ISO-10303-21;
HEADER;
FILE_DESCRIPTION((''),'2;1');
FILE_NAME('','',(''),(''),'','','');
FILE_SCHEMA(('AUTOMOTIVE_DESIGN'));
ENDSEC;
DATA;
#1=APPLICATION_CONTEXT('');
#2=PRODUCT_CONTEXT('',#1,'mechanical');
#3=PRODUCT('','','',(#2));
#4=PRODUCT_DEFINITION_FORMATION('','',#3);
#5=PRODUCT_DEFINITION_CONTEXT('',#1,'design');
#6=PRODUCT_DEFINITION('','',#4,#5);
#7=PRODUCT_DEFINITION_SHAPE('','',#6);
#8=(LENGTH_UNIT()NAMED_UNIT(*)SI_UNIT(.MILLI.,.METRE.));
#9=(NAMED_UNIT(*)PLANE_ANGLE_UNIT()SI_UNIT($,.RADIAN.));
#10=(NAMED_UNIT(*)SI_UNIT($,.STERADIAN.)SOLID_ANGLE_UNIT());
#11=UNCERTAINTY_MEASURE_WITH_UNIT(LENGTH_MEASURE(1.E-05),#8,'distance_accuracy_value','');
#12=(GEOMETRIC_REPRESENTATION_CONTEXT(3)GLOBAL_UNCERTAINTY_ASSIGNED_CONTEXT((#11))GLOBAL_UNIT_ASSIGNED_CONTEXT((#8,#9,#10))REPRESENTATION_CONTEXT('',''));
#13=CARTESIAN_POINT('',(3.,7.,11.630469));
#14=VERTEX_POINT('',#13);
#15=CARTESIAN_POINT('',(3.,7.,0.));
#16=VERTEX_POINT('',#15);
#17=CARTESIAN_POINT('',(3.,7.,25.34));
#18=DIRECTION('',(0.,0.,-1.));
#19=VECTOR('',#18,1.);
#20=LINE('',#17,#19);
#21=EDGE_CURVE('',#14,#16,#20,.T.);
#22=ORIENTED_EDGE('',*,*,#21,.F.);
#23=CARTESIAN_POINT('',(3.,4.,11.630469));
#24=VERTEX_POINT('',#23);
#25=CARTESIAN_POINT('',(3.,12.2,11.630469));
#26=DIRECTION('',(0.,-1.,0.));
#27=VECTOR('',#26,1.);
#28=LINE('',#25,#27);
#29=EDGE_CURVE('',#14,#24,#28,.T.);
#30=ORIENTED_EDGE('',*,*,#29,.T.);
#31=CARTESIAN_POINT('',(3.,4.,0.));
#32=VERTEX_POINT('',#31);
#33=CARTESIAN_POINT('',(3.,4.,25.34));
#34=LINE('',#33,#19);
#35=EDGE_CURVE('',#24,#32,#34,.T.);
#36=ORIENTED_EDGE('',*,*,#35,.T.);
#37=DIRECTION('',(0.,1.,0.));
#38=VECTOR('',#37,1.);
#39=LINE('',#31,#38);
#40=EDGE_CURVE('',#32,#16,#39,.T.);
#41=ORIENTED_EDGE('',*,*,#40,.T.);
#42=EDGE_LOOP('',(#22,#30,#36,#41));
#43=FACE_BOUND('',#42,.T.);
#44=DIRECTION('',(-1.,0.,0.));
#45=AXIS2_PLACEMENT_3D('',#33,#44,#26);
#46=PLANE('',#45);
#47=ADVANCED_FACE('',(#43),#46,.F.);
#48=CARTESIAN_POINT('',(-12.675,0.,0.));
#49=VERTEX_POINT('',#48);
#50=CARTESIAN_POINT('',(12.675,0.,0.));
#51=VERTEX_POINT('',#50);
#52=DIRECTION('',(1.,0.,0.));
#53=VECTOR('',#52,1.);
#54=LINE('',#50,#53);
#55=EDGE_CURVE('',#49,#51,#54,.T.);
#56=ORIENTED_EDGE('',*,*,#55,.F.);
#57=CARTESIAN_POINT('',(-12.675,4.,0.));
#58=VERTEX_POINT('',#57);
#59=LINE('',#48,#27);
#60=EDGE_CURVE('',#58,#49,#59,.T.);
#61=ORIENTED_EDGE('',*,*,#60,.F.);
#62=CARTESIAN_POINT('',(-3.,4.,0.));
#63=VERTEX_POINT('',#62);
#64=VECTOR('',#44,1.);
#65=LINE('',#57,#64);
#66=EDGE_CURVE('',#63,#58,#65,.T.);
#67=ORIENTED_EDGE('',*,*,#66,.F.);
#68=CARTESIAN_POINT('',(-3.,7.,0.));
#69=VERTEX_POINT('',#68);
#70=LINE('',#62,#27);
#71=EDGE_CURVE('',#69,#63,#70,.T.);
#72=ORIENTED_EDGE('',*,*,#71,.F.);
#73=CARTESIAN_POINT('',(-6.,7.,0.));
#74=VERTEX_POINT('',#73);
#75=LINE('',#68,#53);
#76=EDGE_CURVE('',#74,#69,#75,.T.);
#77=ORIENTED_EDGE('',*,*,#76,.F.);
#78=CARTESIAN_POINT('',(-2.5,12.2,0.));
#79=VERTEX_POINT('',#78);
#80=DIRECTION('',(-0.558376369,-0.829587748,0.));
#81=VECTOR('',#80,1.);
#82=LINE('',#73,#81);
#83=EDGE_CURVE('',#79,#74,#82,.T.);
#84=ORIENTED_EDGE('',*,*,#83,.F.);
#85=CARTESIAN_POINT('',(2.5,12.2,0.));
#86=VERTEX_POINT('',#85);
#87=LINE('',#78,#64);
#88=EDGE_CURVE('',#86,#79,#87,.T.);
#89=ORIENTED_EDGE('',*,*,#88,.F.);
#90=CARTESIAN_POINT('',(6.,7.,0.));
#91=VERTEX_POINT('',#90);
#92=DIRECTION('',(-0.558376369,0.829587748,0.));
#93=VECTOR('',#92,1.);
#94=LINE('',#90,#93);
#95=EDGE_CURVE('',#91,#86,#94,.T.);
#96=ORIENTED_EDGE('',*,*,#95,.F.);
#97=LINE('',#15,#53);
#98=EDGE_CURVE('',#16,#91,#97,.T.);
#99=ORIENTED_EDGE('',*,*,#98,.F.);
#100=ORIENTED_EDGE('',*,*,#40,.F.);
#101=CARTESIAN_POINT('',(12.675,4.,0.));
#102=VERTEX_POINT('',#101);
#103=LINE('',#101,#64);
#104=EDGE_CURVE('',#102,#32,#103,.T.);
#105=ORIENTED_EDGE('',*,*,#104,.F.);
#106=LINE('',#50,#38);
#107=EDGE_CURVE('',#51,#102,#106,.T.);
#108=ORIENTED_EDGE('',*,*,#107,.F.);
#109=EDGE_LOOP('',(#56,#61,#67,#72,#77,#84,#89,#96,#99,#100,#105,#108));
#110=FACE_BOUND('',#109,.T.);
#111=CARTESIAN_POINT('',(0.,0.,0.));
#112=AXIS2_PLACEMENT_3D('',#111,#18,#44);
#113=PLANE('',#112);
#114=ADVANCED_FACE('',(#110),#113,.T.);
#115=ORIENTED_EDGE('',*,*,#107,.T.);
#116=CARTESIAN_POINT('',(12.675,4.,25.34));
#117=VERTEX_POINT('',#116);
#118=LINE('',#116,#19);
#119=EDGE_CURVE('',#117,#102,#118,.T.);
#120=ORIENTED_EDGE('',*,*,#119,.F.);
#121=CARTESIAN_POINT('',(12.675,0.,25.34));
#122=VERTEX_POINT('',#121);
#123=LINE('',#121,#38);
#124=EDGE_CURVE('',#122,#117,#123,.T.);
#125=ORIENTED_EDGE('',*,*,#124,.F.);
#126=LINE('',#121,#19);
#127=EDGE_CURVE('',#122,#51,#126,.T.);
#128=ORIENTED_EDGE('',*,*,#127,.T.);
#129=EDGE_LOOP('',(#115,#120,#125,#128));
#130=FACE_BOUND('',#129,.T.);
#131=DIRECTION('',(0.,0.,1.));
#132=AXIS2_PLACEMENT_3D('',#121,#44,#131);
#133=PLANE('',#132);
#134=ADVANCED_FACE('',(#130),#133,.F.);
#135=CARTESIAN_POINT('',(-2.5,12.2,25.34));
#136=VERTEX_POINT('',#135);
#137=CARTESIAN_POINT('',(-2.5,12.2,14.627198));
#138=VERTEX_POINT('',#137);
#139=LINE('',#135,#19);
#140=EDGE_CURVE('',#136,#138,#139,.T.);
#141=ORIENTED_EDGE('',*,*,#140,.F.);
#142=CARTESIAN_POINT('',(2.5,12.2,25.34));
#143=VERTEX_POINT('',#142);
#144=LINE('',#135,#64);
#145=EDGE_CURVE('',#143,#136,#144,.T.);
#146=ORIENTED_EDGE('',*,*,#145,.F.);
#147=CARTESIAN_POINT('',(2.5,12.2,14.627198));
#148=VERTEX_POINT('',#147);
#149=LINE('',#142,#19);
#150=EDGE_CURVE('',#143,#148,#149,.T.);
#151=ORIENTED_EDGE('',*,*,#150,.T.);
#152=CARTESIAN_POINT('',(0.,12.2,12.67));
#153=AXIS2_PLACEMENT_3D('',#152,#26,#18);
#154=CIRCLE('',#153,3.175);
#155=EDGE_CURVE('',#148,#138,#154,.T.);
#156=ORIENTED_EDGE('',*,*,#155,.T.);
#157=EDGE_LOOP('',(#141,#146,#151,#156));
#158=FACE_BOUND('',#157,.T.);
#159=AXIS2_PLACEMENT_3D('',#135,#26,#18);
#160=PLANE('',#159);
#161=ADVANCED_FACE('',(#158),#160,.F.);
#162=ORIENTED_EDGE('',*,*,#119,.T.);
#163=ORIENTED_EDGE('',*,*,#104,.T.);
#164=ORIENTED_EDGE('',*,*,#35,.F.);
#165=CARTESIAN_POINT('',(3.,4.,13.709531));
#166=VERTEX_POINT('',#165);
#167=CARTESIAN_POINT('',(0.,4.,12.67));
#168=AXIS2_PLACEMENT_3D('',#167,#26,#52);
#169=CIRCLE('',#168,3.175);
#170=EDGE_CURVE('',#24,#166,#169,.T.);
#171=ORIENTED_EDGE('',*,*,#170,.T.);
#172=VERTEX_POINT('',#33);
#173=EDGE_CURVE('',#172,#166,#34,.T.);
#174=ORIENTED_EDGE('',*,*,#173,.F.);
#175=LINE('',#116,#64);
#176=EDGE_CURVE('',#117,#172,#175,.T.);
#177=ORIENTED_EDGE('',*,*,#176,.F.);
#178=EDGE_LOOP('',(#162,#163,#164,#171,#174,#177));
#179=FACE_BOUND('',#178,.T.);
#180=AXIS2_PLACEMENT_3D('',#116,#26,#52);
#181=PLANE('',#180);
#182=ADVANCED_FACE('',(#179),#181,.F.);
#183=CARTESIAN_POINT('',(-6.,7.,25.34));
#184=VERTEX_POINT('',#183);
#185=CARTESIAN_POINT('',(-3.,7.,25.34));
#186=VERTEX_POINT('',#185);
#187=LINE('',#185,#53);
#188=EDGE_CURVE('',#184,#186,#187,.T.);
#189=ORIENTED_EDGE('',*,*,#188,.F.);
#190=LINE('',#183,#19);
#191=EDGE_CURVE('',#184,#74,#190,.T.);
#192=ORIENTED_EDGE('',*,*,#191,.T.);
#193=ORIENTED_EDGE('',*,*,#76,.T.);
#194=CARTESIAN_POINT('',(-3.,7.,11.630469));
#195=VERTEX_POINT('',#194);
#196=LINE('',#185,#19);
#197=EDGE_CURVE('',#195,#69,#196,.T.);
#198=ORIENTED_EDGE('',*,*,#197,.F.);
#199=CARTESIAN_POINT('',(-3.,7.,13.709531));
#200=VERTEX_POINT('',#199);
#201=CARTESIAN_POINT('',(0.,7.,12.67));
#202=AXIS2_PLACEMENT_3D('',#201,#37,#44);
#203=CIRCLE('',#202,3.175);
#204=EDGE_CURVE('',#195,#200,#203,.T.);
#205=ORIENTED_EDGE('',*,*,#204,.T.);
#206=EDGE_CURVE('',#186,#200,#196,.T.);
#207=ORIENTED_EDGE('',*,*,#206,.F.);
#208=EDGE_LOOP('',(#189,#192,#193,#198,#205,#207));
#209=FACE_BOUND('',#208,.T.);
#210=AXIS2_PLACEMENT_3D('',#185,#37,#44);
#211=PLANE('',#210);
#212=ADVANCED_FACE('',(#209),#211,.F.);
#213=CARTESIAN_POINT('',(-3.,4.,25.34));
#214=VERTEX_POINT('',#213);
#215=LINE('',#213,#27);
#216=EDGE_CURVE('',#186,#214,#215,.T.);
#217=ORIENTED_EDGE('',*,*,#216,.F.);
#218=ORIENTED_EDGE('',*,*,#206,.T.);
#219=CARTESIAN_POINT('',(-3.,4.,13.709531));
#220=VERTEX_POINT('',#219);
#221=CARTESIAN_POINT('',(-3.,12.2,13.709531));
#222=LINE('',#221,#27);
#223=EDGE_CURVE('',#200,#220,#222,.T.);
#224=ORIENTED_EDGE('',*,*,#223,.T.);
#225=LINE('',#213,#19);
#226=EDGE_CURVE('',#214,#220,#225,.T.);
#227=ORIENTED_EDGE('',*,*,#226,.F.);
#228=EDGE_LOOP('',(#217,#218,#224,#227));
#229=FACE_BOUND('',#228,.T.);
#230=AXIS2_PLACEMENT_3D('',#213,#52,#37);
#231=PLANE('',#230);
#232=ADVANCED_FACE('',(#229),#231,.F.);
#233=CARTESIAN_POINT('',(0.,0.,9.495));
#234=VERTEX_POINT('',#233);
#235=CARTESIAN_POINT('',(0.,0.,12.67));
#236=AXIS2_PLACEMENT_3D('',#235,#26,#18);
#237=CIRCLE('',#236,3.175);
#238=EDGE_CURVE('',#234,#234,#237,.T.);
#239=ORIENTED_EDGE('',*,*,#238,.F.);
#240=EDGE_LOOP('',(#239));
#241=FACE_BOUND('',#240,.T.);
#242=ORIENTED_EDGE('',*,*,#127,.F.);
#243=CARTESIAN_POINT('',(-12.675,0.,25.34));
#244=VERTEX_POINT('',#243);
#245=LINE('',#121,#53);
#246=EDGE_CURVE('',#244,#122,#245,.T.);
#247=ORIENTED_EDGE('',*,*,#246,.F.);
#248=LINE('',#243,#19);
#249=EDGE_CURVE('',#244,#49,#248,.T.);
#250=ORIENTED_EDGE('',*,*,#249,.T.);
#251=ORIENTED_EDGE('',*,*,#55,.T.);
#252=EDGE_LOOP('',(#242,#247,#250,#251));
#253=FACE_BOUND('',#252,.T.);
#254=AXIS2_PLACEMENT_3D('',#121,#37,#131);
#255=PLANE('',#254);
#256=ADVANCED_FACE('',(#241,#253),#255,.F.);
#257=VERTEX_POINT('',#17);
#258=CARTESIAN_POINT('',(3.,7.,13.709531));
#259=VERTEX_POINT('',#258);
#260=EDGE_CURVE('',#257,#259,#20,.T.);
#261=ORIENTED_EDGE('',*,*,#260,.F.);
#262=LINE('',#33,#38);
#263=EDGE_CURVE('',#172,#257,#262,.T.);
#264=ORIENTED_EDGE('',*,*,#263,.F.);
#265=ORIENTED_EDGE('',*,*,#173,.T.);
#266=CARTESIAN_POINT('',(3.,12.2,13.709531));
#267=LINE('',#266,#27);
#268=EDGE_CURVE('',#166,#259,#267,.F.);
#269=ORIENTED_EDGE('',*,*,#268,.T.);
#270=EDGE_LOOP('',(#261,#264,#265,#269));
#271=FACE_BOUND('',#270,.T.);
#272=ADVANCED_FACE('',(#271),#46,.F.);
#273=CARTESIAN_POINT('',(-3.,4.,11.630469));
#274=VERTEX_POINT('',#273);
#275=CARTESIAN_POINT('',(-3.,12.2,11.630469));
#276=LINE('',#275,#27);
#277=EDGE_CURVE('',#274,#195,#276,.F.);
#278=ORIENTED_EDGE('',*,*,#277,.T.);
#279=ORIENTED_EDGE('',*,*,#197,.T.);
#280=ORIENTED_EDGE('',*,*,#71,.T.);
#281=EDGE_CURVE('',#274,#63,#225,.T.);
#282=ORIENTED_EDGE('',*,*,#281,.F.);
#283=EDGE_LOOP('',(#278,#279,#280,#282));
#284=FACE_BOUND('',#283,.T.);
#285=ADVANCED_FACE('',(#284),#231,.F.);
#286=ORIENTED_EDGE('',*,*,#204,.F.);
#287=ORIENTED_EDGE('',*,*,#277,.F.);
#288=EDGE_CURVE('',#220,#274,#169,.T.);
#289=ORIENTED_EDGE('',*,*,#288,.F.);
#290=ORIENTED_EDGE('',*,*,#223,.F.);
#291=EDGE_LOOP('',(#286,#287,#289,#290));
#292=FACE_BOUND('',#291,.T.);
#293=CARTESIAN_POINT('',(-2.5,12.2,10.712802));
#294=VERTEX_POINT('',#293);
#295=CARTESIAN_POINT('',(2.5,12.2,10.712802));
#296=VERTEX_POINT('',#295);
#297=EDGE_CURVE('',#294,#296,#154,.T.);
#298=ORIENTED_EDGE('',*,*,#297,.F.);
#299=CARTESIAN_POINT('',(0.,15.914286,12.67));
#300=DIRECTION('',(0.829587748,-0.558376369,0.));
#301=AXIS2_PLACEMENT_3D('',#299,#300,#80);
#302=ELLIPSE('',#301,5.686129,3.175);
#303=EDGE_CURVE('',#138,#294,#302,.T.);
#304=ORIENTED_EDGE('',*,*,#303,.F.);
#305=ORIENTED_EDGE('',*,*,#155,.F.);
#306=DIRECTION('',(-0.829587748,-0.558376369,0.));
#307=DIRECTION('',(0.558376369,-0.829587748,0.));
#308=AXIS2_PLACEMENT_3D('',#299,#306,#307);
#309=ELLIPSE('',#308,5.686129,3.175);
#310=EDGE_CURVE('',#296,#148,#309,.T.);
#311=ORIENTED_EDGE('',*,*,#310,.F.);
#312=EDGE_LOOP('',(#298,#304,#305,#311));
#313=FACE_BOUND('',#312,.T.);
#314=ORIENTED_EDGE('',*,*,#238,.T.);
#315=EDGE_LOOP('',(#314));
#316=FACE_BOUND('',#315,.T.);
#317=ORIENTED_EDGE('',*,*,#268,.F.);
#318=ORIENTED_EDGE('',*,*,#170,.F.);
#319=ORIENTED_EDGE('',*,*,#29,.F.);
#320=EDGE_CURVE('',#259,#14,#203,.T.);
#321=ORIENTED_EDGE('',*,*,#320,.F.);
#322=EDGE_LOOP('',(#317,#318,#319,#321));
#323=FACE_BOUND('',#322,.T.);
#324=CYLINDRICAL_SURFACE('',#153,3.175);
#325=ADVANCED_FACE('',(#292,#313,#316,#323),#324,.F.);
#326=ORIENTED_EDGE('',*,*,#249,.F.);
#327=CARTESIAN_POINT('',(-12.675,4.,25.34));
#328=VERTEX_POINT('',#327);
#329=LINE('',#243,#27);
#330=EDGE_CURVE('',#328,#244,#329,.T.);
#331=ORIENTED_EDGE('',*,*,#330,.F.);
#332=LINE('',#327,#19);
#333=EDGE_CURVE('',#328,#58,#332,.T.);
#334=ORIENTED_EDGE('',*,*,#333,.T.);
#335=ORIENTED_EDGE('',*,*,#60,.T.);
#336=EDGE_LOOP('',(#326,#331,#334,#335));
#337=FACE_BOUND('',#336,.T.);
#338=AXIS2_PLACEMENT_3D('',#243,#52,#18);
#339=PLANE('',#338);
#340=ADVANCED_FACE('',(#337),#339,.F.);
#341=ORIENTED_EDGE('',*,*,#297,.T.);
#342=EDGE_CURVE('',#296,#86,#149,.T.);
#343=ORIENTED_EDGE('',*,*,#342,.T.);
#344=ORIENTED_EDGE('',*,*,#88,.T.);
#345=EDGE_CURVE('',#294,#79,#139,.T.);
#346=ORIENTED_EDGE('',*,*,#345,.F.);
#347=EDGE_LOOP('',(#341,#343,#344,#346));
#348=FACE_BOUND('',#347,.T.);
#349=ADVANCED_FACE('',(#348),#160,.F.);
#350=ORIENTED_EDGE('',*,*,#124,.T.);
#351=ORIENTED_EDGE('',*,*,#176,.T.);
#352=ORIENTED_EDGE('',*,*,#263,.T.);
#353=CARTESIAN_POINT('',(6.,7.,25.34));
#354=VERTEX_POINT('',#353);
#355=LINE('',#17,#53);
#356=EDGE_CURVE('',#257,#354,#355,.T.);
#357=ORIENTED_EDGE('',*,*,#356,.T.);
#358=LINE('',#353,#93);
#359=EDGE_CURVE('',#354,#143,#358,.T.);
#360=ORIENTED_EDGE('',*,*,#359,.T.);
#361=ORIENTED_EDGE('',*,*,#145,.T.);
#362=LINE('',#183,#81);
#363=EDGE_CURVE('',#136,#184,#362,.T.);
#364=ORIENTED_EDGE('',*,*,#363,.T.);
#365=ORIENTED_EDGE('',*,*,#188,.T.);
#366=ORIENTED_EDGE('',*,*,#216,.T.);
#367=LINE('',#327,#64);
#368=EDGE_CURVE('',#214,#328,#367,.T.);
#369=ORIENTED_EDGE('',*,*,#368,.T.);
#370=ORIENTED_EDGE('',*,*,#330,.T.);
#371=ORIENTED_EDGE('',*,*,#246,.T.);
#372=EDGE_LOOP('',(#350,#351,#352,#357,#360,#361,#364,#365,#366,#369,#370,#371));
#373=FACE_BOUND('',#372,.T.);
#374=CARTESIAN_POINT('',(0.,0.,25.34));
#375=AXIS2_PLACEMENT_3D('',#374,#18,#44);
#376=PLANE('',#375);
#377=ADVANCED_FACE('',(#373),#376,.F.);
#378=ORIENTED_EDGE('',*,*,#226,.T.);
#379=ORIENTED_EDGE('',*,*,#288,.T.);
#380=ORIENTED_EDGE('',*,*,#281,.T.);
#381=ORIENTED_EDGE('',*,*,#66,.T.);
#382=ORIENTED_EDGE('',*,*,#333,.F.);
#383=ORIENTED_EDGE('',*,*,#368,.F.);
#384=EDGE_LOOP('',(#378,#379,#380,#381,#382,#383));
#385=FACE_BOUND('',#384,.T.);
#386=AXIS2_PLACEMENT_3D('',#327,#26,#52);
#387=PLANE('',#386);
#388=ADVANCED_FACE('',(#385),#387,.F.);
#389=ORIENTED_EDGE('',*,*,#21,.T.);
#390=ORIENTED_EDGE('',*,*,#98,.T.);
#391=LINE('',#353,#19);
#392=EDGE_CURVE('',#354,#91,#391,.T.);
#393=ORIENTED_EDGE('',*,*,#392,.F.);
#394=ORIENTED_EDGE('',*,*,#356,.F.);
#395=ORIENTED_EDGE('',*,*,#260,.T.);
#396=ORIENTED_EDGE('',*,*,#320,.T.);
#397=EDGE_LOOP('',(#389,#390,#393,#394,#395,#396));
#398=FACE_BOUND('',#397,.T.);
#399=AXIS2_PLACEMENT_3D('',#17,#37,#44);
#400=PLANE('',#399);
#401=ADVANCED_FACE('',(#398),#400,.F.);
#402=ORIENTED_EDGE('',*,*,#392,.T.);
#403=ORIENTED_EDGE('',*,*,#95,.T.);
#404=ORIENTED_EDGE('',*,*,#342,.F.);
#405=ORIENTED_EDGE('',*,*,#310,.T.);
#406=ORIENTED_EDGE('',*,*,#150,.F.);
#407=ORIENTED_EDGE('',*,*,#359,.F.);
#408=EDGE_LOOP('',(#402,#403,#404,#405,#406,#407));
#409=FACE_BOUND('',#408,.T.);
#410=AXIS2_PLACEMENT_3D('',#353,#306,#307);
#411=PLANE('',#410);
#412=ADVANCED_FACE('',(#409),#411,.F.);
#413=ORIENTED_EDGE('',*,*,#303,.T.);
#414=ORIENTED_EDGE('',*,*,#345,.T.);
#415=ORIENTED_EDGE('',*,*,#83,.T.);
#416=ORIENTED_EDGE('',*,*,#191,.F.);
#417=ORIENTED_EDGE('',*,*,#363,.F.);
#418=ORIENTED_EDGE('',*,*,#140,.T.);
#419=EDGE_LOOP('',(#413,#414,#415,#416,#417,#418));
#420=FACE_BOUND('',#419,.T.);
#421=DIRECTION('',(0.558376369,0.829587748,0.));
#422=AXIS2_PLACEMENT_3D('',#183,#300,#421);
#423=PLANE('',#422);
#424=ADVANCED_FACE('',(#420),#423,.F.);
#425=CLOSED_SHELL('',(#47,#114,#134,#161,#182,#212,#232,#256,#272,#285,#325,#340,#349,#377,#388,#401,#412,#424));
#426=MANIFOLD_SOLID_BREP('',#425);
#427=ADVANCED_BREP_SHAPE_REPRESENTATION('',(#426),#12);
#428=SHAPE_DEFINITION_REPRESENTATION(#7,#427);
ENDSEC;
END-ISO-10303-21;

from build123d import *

# Parameters (mm, degrees)
BOSS_EXTRUDE1_DEPTH = 25.34
SKETCH2_R           = 3.175
CUT_EXTRUDE1_DEPTH  = 31.848196463


with BuildPart() as part:
    # Sketch1 → Boss-Extrude1 (new body)
    with BuildSketch(Plane.XY):
        Polygon((12.675, 0), (-12.675, 0), (-12.675, 4), (-3, 4), (-3, 7), (-6, 7), (-2.5, 12.2), (2.5, 12.2), (6, 7), (3, 7), (3, 4), (12.675, 4), align=None)
    extrude(amount=BOSS_EXTRUDE1_DEPTH)

    # Sketch2 → Cut-Extrude1 (cut, through all)
    with BuildSketch(Plane.XZ):
        with Locations(Location((0, 12.67, 0), (0, 0, 270))):
            Circle(SKETCH2_R)
    extrude(amount=-CUT_EXTRUDE1_DEPTH, mode=Mode.SUBTRACT)


solid = part.part
